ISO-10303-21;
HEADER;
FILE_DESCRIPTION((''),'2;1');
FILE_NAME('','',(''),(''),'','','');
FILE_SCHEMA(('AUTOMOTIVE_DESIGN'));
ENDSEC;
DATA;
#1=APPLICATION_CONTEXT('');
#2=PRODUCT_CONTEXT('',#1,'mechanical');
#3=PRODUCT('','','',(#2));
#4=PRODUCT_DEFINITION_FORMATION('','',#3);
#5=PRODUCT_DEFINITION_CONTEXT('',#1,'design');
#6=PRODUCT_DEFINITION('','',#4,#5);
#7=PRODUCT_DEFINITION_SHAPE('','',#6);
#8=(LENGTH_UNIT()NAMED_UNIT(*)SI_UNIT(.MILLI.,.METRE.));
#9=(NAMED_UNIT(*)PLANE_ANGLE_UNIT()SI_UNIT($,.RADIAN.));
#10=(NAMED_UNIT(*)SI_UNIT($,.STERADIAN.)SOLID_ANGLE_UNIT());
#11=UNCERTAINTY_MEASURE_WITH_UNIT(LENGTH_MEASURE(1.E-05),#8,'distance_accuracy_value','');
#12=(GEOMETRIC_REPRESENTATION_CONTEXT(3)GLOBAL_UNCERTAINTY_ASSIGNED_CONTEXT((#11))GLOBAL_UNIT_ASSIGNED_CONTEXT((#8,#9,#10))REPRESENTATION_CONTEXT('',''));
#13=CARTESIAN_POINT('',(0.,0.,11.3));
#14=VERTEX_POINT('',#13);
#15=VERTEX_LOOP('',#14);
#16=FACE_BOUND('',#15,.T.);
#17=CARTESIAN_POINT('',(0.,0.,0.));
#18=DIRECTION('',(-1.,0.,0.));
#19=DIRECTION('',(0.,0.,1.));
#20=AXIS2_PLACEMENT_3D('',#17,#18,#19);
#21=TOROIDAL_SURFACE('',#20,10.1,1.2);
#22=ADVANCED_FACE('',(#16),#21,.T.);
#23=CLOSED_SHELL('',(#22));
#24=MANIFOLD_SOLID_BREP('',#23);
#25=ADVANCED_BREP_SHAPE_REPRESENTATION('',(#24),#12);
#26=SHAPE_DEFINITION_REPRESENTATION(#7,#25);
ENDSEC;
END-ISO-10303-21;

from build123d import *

# Parameters (mm, degrees)
SKETCH_1_R = 1.2


with BuildPart() as part:
    # 草图1 → 旋转1 (revolve)
    with BuildSketch(Plane.XY, mode=Mode.PRIVATE) as revolve_1_sk:
        with Locations((0, 10.1)):
            Circle(SKETCH_1_R)
    revolve(revolve_1_sk.sketch.rotate(Axis((0, 0, 0), (1, 0, 0)), 90), axis=Axis((0, 0, 0), (1, 0, 0)))


solid = part.part
